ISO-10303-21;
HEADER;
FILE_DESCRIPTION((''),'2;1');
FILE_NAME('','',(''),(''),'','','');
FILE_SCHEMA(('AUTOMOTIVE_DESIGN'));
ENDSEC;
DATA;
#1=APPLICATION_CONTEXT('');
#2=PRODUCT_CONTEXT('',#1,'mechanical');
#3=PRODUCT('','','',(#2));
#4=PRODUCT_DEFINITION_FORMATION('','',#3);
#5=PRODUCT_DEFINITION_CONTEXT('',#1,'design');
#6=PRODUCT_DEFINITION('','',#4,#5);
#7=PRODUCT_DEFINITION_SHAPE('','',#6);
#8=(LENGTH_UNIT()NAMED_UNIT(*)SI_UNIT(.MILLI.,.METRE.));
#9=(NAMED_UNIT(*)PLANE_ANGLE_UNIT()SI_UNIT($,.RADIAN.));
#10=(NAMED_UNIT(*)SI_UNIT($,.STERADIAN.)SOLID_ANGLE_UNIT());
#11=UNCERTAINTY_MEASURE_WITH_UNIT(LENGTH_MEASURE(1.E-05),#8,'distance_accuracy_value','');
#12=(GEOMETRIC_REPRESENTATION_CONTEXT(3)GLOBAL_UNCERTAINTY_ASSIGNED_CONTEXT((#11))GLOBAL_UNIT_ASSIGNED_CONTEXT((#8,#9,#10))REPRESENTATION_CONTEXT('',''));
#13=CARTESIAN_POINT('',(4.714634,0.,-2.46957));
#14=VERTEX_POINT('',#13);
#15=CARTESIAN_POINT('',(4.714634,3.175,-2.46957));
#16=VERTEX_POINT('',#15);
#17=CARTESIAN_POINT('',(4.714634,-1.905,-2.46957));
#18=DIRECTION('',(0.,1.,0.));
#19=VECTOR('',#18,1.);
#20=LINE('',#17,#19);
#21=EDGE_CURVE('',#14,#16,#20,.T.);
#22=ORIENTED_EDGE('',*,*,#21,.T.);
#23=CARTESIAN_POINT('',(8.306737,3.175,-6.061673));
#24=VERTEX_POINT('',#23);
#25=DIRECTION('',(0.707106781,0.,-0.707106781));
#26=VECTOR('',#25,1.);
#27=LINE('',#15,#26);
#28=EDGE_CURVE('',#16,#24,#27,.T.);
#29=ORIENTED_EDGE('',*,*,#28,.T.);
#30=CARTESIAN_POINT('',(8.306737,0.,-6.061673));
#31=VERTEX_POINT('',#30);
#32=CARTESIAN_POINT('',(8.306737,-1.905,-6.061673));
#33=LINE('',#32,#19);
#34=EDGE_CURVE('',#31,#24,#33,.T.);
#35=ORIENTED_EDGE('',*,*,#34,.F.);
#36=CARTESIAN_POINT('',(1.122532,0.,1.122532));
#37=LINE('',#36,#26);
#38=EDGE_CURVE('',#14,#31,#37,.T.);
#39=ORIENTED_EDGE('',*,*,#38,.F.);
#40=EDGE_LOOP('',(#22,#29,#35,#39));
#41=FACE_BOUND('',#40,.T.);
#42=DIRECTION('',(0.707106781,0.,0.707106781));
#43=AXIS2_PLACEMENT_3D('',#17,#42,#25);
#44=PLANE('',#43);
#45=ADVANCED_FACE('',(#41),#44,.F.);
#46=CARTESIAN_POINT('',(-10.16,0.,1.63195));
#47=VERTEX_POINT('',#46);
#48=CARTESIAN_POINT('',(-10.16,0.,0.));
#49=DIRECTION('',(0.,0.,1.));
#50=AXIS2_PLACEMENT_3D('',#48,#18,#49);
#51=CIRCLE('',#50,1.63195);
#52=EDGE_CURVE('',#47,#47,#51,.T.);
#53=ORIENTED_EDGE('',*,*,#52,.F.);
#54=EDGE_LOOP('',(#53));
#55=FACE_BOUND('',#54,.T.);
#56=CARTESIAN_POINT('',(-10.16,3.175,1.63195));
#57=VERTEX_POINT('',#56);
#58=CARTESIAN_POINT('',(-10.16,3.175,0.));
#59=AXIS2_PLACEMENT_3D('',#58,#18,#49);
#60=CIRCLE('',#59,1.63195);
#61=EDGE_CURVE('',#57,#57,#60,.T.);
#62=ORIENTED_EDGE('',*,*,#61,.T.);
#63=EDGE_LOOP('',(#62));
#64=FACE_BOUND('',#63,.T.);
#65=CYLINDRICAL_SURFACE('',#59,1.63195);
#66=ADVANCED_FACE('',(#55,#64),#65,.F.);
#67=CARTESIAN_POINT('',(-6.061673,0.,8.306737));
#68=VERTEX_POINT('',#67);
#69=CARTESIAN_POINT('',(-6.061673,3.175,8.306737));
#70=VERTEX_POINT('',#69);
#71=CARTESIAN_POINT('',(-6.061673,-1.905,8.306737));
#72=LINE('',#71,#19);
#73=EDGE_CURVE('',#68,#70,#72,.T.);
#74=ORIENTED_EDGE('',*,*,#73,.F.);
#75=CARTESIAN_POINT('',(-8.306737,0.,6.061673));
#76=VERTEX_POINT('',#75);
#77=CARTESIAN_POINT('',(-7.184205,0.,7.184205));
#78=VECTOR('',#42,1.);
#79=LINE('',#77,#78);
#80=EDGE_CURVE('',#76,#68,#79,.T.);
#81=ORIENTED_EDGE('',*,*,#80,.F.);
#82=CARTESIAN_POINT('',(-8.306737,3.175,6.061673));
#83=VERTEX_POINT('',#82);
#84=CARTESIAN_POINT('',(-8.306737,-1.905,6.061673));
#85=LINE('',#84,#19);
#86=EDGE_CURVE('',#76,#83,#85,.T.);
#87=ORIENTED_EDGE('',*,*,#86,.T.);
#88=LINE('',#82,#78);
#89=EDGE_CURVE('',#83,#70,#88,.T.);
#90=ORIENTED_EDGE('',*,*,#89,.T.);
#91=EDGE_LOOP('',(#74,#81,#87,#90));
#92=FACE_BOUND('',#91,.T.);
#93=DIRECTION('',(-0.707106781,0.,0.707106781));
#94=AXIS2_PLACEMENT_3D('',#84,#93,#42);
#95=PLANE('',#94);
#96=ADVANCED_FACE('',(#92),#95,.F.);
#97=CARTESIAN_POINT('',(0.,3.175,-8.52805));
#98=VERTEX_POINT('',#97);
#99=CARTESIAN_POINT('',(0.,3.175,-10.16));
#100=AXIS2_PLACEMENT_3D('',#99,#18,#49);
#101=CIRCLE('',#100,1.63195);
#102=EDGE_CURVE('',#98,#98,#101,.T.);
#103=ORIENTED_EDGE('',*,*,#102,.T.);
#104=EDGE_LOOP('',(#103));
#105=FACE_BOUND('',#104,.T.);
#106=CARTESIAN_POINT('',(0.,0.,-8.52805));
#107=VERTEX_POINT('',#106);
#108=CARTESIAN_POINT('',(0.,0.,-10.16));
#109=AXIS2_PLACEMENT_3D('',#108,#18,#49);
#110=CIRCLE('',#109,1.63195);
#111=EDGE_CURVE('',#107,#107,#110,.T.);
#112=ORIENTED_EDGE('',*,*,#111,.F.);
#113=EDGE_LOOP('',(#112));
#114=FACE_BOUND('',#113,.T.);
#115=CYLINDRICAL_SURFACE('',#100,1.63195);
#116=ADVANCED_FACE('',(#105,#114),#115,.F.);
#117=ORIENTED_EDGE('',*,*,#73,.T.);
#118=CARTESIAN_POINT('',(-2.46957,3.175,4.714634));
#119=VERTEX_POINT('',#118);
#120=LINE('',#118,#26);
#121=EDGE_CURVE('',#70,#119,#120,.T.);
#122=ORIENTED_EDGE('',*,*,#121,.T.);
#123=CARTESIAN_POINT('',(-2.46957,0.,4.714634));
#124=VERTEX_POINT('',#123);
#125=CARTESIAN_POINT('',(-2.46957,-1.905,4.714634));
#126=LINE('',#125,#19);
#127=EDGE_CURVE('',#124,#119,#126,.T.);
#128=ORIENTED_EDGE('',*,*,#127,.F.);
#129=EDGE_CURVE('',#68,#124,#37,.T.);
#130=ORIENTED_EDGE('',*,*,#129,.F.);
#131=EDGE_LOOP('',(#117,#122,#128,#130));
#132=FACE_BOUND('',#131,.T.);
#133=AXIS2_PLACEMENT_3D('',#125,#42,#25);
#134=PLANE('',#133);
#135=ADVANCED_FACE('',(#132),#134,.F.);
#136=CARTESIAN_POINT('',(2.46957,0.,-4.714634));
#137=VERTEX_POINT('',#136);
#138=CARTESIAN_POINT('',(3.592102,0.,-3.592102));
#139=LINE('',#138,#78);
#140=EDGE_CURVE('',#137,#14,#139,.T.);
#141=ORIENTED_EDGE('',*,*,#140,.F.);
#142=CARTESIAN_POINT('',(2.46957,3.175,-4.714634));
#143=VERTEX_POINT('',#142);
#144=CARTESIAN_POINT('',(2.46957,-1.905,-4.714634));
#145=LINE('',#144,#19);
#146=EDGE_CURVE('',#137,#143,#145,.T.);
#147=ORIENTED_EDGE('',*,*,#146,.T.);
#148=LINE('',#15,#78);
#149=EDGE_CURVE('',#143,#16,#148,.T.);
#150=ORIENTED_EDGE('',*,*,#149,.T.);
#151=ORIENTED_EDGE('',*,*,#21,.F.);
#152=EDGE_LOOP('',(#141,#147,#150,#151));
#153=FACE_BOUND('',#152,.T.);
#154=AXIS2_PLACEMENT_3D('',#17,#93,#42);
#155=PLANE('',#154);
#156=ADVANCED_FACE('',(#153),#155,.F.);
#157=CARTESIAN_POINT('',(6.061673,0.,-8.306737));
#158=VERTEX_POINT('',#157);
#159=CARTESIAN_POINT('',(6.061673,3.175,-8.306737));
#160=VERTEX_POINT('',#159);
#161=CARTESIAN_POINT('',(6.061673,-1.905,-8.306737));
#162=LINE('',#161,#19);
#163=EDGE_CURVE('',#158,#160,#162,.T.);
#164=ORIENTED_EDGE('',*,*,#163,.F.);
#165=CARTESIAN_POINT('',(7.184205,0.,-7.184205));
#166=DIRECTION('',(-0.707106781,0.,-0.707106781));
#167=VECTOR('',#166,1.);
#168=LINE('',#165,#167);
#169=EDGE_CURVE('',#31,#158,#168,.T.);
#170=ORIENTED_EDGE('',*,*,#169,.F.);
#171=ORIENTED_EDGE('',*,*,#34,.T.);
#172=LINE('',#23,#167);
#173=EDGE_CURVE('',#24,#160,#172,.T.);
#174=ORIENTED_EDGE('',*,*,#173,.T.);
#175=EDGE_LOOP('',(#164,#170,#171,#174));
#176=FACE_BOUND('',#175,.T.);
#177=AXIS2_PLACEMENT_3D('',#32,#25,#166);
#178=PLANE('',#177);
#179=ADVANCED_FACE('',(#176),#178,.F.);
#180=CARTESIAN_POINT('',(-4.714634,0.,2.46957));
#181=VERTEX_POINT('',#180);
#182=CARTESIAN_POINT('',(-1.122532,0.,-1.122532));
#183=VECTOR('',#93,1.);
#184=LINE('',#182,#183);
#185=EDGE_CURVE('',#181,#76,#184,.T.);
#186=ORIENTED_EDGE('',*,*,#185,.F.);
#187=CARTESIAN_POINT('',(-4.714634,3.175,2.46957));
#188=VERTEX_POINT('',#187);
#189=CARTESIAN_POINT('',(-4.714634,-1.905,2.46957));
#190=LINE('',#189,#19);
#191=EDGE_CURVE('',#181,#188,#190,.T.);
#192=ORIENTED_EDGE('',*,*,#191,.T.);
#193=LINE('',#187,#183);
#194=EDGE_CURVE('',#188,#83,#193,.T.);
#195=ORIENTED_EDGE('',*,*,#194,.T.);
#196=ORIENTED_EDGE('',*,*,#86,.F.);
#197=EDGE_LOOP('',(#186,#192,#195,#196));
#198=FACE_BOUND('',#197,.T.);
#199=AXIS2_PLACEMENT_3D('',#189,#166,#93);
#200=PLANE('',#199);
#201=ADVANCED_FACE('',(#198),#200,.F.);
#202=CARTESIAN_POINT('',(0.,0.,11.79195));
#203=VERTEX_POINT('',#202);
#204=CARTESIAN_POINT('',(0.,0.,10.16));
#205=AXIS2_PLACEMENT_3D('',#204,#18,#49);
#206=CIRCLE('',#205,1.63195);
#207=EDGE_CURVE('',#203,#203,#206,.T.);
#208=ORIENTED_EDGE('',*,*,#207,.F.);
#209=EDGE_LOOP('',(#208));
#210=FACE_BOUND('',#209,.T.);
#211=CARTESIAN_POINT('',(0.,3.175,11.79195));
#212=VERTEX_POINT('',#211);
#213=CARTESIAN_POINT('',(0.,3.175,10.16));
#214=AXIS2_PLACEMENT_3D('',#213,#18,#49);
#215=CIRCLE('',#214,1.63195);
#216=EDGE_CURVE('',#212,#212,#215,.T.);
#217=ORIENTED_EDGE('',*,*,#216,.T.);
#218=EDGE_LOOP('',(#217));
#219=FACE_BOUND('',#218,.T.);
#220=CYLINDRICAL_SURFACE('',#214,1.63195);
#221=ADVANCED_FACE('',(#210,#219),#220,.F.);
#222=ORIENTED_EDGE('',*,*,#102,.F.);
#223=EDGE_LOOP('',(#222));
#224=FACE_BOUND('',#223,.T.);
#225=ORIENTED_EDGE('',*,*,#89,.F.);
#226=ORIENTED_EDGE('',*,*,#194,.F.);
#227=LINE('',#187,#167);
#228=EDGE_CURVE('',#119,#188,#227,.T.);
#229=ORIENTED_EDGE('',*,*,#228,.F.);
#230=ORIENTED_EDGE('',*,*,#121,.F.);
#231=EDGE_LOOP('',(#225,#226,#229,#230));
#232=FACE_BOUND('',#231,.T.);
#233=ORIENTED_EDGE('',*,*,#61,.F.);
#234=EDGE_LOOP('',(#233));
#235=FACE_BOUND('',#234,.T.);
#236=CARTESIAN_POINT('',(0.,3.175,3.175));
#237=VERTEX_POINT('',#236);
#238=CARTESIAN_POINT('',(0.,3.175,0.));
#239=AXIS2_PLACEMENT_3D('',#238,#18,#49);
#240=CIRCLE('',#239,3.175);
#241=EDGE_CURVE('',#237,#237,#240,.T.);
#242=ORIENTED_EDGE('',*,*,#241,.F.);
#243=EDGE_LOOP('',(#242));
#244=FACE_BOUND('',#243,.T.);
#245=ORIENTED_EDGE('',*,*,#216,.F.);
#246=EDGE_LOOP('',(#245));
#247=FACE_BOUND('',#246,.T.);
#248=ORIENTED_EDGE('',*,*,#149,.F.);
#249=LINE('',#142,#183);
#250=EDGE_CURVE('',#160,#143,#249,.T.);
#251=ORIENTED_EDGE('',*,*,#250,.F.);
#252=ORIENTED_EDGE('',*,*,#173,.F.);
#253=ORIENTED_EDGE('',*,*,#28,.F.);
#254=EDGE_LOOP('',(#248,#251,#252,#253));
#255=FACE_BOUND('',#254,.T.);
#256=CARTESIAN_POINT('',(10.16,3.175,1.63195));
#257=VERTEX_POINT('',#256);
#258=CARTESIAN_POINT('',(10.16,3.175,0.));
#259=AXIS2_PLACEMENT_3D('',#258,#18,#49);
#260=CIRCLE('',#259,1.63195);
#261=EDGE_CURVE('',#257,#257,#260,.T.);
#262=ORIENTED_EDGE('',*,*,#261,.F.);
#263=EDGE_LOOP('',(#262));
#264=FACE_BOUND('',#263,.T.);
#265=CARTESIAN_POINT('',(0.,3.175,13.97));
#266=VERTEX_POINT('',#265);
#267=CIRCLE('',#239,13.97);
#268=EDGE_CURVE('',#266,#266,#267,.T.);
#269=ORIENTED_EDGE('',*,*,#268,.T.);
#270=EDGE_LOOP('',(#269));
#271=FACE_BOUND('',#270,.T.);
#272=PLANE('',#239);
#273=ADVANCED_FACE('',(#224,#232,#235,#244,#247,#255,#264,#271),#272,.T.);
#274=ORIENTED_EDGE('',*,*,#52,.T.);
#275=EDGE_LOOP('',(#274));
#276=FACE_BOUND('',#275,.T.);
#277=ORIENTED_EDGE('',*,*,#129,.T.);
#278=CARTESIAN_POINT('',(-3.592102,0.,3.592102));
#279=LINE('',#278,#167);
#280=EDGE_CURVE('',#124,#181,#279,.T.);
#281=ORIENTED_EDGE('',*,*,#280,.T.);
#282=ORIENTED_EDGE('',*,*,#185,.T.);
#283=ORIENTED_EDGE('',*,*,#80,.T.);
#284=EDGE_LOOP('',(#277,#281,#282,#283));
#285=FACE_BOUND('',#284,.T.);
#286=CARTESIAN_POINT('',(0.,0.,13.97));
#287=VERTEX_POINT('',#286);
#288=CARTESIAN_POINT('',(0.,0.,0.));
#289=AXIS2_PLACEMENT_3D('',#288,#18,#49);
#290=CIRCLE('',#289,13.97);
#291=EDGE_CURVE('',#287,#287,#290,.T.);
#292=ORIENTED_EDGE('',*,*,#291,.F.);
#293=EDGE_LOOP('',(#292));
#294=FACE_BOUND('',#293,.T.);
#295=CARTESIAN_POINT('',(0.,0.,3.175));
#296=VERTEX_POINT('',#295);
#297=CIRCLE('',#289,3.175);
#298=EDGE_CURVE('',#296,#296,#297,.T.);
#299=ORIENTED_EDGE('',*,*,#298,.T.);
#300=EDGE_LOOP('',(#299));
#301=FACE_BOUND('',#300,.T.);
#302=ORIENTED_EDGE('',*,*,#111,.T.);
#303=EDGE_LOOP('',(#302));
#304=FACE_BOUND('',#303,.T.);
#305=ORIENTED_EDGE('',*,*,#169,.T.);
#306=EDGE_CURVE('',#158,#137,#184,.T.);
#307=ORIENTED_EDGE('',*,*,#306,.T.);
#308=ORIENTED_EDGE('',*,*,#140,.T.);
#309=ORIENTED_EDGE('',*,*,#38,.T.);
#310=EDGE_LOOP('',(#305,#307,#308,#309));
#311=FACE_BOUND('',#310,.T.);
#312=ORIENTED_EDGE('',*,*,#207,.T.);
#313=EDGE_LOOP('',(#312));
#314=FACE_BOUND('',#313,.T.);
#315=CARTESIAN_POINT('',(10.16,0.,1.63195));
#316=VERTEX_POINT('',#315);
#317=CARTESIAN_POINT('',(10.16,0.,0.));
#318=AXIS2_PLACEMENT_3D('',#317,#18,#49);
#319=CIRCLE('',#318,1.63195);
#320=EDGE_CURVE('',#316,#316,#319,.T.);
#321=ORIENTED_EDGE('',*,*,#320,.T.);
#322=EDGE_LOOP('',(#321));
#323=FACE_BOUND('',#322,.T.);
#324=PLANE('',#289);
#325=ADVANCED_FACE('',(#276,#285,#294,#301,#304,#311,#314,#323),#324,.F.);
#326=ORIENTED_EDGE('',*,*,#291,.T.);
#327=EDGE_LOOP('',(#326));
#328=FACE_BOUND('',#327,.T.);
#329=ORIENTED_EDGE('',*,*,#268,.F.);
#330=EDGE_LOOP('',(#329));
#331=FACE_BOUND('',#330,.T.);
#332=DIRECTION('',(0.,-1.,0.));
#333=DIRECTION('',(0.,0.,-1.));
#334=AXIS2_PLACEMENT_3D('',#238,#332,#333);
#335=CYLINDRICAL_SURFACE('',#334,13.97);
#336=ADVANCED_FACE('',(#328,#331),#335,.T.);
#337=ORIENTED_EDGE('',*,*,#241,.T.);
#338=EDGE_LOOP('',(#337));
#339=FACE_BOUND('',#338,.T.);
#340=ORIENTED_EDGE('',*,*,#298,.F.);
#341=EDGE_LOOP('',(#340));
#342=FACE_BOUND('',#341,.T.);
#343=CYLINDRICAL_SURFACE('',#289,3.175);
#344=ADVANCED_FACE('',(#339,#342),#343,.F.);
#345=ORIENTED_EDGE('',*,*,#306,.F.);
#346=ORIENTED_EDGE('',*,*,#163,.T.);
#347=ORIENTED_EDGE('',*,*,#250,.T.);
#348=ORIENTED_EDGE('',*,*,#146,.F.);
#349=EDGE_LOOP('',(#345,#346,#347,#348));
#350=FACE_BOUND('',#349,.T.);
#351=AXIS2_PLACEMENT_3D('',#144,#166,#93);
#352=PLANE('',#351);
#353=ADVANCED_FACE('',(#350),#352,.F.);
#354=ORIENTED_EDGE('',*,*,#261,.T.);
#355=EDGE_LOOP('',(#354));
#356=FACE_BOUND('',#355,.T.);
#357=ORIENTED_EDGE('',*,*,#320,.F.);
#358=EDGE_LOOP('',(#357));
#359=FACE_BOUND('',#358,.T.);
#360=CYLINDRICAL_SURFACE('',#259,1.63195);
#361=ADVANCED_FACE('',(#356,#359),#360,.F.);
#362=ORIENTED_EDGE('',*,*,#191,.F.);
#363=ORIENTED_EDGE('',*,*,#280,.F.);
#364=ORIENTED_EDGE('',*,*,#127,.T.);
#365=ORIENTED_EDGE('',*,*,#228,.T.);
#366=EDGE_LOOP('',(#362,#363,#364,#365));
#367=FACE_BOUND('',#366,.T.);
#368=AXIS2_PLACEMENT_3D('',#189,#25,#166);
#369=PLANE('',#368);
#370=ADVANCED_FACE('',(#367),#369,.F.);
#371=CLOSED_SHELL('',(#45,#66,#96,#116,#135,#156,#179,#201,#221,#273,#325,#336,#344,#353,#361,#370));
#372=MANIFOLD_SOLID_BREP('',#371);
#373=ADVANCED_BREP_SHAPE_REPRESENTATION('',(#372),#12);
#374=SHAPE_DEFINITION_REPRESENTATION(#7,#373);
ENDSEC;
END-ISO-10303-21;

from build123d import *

# Parameters (mm, degrees)
SKETCH1_R           = 13.97
BOSS_EXTRUDE1_DEPTH = 3.175
SKETCH2_R           = 3.175
CUT_EXTRUDE1_DEPTH  = 3.175
CIRPATTERN1_COUNT   = 4
CUT_EXTRUDE2_DEPTH  = 5.08
CIRPATTERN2_COUNT   = 2


with BuildPart() as part:
    # Sketch1 → Boss-Extrude1 (new body)
    with BuildSketch(Plane(origin=(0, 0, 0), x_dir=(1, 0, 0), z_dir=(0, 1, 0))):
        Circle(SKETCH1_R)
    extrude(amount=BOSS_EXTRUDE1_DEPTH)

    # Sketch2 → Cut-Extrude1 (cut)
    with BuildSketch(Plane(origin=(0, 3.175, 0), x_dir=(1, 0, 0), z_dir=(0, 1, 0))):
        Circle(SKETCH2_R)
    extrude(amount=-CUT_EXTRUDE1_DEPTH, mode=Mode.SUBTRACT)

    # Sketch4 → #4 Clearance Hole1 (revolve, cut)
    with BuildSketch(Plane(origin=(0, 3.175, -10.16), x_dir=(0, 0, 1), z_dir=(1, 0, 0))):
        Polygon((0, 0), (0, 11.140574487), (1.63195, 10.16), (1.63195, 0), align=None)
    f_4_clearance_hole1 = revolve(axis=Axis((0, 9.525, -10.16), (0, -1, 0)), mode=Mode.SUBTRACT)

    # CirPattern1: #4 Clearance Hole1 ×4 about axis
    cirpattern1_axis = Axis((0, 0, 0), (0, 1, 0))
    for i in range(1, CIRPATTERN1_COUNT):
        add(f_4_clearance_hole1.rotate(cirpattern1_axis, i * 360 / CIRPATTERN1_COUNT), mode=Mode.SUBTRACT)

    # Sketch6 → Cut-Extrude2 (cut)
    with BuildSketch(Plane(origin=(0, 3.175, 0), x_dir=(1, 0, 0), z_dir=(0, 1, 0))):
        Polygon((4.714634464, 2.469570433), (8.306736912, 6.061672882), (6.061672882, 8.306736912), (2.469570433, 4.714634464), align=None)
    cut_extrude2 = extrude(amount=-CUT_EXTRUDE2_DEPTH, mode=Mode.SUBTRACT)

    # CirPattern2: Cut-Extrude2 ×2 about axis
    cirpattern2_axis = Axis((0, 0, 0), (0, 1, 0))
    for i in range(1, CIRPATTERN2_COUNT):
        add(cut_extrude2.rotate(cirpattern2_axis, i * 360 / CIRPATTERN2_COUNT), mode=Mode.SUBTRACT)


solid = part.part
